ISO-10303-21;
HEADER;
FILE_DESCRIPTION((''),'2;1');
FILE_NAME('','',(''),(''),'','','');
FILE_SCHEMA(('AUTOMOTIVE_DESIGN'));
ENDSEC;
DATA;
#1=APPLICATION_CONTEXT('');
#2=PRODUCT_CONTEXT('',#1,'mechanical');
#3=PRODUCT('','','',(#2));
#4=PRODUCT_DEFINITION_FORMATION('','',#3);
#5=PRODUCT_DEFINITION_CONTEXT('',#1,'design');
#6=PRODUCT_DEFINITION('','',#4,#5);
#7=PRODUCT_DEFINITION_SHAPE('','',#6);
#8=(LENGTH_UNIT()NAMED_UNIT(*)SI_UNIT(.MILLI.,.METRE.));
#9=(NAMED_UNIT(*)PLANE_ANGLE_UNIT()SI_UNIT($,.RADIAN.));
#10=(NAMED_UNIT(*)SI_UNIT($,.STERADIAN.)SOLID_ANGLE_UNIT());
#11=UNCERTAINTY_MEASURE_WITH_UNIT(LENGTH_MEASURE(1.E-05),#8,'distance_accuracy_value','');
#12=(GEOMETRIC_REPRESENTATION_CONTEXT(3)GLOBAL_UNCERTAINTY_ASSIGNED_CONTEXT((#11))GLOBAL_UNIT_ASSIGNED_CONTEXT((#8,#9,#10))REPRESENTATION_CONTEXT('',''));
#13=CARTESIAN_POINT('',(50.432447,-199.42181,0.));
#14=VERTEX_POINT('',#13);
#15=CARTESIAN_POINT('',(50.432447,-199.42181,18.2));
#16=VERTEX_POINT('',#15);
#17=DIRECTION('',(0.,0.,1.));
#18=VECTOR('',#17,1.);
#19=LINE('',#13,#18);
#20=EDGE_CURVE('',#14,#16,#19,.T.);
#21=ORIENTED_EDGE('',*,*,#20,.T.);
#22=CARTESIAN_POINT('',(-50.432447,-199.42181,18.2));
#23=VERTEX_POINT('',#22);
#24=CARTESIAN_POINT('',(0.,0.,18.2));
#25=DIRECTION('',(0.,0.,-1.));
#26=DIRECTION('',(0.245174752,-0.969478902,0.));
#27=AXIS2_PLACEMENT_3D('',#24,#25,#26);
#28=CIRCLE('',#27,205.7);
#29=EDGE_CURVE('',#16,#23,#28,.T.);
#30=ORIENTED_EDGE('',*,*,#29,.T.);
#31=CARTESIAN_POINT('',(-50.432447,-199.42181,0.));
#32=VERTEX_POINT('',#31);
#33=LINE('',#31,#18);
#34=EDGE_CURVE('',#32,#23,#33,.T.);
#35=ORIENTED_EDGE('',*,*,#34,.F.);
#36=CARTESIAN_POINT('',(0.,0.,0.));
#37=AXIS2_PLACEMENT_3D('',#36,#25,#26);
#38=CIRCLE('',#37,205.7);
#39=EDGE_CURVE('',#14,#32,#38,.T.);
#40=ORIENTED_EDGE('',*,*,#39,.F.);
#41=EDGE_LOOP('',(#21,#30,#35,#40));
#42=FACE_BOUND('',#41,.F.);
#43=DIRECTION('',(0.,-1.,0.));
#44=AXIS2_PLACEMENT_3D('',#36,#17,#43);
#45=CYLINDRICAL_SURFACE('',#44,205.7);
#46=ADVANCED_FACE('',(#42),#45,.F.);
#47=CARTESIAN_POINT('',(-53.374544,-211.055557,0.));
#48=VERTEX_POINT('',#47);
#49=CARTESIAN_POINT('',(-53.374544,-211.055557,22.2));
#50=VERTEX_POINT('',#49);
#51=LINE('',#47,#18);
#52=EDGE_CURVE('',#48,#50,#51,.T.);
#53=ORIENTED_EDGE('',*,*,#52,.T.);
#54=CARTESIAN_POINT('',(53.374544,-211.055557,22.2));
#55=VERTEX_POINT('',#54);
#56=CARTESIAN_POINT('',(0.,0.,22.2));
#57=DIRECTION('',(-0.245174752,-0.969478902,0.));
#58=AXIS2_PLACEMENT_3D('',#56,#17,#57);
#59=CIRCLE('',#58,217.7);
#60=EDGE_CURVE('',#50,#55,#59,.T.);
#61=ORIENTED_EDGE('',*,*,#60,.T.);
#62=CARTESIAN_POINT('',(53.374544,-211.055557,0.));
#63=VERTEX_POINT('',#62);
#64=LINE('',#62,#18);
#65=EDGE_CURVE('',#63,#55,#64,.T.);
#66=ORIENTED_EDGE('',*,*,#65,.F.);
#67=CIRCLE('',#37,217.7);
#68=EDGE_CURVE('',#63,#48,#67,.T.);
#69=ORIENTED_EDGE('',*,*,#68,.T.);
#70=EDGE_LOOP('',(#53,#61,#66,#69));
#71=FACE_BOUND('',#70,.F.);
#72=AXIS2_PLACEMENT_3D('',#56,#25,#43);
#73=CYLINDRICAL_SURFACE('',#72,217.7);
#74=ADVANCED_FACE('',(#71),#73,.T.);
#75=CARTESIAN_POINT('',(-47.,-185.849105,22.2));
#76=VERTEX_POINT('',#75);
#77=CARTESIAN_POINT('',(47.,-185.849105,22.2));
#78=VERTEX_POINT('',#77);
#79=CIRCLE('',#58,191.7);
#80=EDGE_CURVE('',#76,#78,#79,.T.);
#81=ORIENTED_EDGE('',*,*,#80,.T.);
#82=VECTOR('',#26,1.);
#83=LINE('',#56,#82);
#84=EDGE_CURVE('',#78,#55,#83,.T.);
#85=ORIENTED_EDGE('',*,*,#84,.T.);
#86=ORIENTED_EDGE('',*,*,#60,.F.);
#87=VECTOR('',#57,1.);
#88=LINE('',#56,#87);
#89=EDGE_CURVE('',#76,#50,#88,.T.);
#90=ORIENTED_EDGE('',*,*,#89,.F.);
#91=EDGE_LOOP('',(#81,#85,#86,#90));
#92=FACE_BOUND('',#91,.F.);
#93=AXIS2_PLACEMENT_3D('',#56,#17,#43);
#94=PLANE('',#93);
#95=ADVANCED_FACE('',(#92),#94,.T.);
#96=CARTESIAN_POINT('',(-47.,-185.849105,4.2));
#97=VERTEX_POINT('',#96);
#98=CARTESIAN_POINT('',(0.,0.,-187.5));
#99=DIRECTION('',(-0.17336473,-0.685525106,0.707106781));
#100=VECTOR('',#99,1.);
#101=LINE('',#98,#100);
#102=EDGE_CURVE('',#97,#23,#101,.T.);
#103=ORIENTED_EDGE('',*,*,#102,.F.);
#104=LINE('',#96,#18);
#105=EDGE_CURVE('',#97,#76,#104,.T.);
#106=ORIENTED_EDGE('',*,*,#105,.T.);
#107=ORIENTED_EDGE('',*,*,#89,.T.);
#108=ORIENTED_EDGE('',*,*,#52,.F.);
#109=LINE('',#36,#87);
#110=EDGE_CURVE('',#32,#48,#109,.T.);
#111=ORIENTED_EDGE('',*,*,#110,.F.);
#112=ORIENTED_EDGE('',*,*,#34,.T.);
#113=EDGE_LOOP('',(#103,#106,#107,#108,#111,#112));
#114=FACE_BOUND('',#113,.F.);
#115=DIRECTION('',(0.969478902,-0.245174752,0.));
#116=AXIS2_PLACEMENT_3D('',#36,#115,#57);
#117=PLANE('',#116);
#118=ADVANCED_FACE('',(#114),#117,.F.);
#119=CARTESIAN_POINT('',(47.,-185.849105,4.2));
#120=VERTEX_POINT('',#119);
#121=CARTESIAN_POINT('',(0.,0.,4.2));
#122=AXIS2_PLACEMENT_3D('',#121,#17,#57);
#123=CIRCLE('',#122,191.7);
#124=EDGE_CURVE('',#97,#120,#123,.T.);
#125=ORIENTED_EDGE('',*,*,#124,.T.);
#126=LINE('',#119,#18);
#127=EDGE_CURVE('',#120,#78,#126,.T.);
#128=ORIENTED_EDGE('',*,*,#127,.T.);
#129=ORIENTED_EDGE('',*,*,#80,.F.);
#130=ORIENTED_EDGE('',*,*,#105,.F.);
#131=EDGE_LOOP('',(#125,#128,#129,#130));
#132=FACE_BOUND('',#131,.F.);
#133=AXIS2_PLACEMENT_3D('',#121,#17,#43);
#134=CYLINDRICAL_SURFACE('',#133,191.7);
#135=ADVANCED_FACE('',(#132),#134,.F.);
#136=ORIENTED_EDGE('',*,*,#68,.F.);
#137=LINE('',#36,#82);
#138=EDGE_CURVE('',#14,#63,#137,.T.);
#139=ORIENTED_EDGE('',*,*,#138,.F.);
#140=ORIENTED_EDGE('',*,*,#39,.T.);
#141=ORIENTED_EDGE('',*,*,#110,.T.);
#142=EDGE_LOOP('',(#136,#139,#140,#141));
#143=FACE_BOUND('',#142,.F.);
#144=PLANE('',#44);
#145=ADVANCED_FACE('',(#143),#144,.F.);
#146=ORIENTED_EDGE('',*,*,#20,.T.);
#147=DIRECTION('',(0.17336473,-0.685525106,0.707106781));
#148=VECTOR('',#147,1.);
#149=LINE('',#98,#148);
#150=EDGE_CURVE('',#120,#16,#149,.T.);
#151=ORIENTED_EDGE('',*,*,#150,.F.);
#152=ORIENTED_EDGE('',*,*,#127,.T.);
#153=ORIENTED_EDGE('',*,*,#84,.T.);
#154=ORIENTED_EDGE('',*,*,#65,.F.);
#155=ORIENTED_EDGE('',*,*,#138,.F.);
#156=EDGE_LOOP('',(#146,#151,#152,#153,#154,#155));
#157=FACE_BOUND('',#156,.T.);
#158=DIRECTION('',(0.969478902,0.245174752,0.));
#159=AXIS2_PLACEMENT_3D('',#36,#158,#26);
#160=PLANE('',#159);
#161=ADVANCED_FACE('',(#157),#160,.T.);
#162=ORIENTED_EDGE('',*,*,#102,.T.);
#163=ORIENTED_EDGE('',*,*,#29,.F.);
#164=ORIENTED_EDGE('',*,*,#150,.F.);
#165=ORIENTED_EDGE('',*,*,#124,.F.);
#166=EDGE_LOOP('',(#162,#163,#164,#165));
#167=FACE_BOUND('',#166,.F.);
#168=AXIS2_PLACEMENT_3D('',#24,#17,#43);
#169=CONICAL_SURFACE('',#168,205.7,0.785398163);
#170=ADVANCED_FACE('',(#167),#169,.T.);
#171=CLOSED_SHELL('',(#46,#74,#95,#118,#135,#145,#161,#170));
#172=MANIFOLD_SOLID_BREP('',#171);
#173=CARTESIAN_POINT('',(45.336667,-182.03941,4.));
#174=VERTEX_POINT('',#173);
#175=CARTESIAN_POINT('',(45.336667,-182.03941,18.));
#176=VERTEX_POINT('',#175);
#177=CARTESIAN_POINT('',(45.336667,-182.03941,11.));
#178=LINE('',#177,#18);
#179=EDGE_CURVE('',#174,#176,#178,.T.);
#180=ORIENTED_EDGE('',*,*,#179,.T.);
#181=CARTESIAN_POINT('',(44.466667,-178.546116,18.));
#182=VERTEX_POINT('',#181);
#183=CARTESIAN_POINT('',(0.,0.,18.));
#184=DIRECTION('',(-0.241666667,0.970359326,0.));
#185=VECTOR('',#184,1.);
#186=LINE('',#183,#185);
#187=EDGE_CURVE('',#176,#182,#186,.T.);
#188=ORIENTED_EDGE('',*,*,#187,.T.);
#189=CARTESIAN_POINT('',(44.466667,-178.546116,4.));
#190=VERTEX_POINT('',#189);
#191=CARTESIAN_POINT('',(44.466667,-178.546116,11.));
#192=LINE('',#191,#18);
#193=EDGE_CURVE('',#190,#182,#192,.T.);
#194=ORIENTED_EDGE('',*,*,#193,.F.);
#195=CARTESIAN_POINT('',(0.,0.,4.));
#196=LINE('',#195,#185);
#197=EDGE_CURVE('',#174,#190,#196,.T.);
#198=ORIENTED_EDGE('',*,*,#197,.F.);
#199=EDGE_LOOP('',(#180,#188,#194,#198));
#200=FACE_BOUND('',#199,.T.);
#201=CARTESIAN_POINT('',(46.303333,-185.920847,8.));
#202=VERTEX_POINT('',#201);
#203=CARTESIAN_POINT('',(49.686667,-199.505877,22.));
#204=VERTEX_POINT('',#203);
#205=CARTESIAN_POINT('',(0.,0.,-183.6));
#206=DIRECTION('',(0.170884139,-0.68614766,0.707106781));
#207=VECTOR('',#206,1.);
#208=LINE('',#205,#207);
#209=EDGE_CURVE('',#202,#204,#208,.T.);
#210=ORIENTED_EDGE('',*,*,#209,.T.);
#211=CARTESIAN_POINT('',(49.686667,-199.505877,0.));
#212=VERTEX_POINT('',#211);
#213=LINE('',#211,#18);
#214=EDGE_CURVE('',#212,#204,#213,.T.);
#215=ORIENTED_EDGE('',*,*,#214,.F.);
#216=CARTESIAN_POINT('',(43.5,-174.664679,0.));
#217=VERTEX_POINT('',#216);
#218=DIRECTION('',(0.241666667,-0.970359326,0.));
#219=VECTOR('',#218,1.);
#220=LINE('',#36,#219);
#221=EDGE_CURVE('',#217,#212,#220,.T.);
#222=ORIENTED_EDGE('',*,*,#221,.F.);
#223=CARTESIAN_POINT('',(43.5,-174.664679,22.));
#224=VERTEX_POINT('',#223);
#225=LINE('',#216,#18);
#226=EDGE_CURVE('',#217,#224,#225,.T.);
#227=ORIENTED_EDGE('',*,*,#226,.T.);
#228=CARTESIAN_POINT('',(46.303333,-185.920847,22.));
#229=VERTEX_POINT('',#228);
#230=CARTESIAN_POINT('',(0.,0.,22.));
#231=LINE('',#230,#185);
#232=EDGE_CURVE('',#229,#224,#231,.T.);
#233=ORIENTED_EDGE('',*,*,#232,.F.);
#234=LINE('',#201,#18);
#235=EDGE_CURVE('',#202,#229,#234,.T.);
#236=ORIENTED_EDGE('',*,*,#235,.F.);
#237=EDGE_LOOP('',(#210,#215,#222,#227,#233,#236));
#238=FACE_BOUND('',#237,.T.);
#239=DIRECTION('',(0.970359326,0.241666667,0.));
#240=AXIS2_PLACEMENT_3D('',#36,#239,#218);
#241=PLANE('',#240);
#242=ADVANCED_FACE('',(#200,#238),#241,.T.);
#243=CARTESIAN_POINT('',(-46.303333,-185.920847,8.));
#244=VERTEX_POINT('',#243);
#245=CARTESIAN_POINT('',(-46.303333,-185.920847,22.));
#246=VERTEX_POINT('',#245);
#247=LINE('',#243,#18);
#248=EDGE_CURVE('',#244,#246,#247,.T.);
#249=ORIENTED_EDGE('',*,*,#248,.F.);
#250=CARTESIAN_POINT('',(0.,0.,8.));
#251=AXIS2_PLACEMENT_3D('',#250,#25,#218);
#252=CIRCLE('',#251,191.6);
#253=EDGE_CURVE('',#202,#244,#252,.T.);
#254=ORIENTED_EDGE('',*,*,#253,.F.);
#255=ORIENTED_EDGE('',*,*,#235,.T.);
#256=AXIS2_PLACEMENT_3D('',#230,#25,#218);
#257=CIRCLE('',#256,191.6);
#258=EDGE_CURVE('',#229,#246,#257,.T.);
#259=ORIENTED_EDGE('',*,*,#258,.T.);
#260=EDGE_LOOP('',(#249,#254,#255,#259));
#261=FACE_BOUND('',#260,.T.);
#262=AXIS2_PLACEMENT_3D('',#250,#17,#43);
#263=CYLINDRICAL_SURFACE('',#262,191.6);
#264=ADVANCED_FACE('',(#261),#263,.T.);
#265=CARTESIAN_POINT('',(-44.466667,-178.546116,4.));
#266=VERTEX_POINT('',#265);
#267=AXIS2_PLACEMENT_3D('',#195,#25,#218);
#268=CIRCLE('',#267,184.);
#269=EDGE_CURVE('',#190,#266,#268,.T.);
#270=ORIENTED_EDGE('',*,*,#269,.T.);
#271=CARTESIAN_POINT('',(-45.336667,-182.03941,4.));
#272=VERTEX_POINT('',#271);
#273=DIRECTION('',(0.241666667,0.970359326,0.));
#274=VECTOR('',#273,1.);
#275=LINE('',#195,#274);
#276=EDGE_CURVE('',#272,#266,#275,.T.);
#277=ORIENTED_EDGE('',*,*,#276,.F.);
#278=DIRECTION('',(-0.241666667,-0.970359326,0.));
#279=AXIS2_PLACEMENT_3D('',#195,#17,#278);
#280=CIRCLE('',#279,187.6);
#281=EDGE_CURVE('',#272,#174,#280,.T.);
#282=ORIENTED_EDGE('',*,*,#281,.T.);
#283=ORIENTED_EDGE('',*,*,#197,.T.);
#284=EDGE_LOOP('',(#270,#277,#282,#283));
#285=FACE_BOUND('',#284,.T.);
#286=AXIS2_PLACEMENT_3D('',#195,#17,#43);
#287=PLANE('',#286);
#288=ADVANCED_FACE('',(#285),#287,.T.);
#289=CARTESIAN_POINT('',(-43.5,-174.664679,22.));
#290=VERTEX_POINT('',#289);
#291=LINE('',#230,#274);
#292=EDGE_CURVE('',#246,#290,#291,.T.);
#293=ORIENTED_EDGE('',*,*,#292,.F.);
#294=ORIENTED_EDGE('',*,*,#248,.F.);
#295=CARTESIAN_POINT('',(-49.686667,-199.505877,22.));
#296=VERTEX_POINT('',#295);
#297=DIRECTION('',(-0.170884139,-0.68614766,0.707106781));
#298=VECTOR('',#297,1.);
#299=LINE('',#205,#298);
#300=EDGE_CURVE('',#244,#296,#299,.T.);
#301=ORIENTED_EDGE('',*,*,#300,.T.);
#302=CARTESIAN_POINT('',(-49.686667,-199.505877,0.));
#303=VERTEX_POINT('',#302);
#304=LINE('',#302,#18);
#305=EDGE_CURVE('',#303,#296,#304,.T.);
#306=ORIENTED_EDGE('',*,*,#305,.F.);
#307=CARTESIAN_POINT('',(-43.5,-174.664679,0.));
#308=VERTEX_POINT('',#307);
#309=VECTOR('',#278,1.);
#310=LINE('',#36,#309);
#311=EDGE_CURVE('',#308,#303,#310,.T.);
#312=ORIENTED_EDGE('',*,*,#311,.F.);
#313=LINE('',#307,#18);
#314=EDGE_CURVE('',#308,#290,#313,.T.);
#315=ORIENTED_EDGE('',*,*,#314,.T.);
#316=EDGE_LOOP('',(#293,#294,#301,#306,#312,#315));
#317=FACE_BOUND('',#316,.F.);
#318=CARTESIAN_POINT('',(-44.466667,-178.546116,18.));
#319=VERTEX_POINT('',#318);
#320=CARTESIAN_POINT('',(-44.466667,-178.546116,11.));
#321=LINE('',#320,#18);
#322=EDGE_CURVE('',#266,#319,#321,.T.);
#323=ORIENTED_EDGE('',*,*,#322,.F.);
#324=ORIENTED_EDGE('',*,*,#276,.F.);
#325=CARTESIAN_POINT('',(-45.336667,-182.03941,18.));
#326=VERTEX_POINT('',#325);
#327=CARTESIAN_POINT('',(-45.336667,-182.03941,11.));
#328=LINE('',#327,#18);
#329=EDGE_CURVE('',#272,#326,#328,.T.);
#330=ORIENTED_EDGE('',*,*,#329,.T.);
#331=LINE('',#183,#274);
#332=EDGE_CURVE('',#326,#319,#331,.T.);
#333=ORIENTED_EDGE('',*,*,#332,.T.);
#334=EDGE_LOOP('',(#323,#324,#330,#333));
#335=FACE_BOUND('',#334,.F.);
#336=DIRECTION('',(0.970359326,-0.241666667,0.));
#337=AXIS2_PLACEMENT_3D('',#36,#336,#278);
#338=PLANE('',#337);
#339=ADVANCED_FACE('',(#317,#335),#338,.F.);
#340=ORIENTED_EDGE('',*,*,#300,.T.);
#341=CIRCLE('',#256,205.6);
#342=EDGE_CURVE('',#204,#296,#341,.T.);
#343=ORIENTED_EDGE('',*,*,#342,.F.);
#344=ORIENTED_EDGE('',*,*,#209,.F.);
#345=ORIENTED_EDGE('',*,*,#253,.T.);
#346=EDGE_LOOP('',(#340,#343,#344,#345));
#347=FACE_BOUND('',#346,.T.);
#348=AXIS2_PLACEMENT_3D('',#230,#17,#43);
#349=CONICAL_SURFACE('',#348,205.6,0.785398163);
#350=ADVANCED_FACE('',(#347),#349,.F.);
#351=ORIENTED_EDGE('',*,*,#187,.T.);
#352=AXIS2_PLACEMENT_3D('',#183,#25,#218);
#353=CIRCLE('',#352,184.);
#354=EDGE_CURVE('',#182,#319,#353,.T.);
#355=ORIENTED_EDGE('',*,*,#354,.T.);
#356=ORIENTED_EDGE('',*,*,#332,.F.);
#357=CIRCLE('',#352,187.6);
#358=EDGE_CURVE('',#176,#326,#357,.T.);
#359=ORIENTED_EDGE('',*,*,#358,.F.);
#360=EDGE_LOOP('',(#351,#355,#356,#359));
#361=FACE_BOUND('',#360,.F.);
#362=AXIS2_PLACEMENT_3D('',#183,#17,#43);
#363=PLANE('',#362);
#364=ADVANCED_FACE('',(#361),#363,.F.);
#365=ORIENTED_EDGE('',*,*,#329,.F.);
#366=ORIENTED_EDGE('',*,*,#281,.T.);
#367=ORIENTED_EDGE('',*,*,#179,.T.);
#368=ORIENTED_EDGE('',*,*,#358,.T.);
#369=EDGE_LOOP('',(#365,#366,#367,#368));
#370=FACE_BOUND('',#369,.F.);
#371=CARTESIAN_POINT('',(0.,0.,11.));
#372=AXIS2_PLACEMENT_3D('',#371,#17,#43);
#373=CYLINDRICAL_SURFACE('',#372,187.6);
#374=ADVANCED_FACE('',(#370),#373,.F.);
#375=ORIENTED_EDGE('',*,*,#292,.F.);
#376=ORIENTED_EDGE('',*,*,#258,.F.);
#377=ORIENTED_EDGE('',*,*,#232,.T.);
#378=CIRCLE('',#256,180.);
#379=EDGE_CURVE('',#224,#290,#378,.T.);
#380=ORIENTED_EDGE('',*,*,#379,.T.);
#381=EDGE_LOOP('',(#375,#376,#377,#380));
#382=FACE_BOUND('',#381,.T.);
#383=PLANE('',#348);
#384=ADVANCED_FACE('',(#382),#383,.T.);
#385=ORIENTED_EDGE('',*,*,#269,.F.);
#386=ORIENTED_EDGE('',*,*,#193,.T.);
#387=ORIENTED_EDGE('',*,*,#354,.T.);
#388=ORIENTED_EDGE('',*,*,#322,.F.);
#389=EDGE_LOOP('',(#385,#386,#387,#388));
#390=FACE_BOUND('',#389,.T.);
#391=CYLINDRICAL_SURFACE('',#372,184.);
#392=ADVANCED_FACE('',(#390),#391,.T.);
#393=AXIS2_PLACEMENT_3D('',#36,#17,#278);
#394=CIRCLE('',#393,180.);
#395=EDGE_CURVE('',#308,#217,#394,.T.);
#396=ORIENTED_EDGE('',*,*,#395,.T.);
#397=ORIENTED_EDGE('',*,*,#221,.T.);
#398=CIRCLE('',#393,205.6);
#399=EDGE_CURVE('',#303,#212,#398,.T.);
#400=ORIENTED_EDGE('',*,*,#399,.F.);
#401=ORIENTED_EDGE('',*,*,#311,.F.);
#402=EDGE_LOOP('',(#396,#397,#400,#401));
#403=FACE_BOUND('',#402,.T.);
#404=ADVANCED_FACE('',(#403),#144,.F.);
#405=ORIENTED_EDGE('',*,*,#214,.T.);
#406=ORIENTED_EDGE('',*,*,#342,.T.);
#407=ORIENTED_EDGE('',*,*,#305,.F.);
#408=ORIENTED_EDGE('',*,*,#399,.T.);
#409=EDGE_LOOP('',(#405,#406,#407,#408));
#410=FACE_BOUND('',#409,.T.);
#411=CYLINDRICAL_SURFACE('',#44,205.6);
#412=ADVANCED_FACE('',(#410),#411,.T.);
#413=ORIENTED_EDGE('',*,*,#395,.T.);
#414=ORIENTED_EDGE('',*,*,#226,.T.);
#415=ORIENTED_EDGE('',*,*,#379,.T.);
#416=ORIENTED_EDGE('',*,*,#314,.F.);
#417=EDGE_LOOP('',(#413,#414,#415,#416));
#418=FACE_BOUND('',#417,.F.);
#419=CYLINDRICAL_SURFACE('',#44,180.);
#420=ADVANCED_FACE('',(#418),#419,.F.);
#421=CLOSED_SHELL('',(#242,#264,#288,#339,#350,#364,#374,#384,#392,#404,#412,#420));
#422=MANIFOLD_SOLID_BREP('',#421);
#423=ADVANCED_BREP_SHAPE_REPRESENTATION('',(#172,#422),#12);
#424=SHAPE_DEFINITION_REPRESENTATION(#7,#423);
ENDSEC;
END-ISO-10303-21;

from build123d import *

# Parameters (mm, degrees)
SKETCH_W        = 3.6
SKETCH_H        = 14
POCKET_DEPTH    = 22.001
POCKET001_DEPTH = 22.201


with BuildPart() as chairmount:
    # Sketch → Revolution (revolve)
    with BuildSketch(Plane.YZ):
        Polygon((-205.6, 0), (-205.6, 22), (-191.6, 8), (-191.6, 22), (-180, 22), (-180, 4), (-180, 0), align=None)
        with Locations((-185.8, 11)):
            Rectangle(SKETCH_W, SKETCH_H, mode=Mode.SUBTRACT)
    revolve(axis=Axis((0, 0, 0), (0, 0, 1)))

    # Sketch001 → Pocket (cut, through all)
    with BuildSketch(Plane.XY):
        with BuildLine():
            ThreePointArc((49.6866666666, -199.5058774959), (0, 205.5999999997), (-49.6866666666, -199.5058774959))
            Line((0, 0), (-49.6866666665, -199.5058774959))
            Line((0, 0), (49.6866666665, -199.5058774959))
        make_face()
    extrude(amount=POCKET_DEPTH, mode=Mode.SUBTRACT)


with BuildPart() as extmount:
    # Sketch002 → Revolution001 (revolve)
    with BuildSketch(Plane.YZ):
        Polygon((-205.7, 18.2), (-191.7, 4.2), (-191.7, 18.2), (-191.7, 22.2), (-217.7, 22.2), (-217.7, 0), (-205.7, 0), align=None)
    revolve(axis=Axis((0, 0, 0), (0, 0, 1)))

    # Sketch003 → Pocket001 (cut, through all)
    with BuildSketch(Plane.XY):
        with BuildLine():
            ThreePointArc((53.3745435576, -211.0555569039), (0, 217.7), (-53.3745435576, -211.0555569039))
            Line((0, 0), (-53.3745435576, -211.0555569039))
            Line((0, 0), (53.3745435576, -211.0555569039))
        make_face()
    extrude(amount=POCKET001_DEPTH, mode=Mode.SUBTRACT)


solid = Compound([chairmount.part, extmount.part])
